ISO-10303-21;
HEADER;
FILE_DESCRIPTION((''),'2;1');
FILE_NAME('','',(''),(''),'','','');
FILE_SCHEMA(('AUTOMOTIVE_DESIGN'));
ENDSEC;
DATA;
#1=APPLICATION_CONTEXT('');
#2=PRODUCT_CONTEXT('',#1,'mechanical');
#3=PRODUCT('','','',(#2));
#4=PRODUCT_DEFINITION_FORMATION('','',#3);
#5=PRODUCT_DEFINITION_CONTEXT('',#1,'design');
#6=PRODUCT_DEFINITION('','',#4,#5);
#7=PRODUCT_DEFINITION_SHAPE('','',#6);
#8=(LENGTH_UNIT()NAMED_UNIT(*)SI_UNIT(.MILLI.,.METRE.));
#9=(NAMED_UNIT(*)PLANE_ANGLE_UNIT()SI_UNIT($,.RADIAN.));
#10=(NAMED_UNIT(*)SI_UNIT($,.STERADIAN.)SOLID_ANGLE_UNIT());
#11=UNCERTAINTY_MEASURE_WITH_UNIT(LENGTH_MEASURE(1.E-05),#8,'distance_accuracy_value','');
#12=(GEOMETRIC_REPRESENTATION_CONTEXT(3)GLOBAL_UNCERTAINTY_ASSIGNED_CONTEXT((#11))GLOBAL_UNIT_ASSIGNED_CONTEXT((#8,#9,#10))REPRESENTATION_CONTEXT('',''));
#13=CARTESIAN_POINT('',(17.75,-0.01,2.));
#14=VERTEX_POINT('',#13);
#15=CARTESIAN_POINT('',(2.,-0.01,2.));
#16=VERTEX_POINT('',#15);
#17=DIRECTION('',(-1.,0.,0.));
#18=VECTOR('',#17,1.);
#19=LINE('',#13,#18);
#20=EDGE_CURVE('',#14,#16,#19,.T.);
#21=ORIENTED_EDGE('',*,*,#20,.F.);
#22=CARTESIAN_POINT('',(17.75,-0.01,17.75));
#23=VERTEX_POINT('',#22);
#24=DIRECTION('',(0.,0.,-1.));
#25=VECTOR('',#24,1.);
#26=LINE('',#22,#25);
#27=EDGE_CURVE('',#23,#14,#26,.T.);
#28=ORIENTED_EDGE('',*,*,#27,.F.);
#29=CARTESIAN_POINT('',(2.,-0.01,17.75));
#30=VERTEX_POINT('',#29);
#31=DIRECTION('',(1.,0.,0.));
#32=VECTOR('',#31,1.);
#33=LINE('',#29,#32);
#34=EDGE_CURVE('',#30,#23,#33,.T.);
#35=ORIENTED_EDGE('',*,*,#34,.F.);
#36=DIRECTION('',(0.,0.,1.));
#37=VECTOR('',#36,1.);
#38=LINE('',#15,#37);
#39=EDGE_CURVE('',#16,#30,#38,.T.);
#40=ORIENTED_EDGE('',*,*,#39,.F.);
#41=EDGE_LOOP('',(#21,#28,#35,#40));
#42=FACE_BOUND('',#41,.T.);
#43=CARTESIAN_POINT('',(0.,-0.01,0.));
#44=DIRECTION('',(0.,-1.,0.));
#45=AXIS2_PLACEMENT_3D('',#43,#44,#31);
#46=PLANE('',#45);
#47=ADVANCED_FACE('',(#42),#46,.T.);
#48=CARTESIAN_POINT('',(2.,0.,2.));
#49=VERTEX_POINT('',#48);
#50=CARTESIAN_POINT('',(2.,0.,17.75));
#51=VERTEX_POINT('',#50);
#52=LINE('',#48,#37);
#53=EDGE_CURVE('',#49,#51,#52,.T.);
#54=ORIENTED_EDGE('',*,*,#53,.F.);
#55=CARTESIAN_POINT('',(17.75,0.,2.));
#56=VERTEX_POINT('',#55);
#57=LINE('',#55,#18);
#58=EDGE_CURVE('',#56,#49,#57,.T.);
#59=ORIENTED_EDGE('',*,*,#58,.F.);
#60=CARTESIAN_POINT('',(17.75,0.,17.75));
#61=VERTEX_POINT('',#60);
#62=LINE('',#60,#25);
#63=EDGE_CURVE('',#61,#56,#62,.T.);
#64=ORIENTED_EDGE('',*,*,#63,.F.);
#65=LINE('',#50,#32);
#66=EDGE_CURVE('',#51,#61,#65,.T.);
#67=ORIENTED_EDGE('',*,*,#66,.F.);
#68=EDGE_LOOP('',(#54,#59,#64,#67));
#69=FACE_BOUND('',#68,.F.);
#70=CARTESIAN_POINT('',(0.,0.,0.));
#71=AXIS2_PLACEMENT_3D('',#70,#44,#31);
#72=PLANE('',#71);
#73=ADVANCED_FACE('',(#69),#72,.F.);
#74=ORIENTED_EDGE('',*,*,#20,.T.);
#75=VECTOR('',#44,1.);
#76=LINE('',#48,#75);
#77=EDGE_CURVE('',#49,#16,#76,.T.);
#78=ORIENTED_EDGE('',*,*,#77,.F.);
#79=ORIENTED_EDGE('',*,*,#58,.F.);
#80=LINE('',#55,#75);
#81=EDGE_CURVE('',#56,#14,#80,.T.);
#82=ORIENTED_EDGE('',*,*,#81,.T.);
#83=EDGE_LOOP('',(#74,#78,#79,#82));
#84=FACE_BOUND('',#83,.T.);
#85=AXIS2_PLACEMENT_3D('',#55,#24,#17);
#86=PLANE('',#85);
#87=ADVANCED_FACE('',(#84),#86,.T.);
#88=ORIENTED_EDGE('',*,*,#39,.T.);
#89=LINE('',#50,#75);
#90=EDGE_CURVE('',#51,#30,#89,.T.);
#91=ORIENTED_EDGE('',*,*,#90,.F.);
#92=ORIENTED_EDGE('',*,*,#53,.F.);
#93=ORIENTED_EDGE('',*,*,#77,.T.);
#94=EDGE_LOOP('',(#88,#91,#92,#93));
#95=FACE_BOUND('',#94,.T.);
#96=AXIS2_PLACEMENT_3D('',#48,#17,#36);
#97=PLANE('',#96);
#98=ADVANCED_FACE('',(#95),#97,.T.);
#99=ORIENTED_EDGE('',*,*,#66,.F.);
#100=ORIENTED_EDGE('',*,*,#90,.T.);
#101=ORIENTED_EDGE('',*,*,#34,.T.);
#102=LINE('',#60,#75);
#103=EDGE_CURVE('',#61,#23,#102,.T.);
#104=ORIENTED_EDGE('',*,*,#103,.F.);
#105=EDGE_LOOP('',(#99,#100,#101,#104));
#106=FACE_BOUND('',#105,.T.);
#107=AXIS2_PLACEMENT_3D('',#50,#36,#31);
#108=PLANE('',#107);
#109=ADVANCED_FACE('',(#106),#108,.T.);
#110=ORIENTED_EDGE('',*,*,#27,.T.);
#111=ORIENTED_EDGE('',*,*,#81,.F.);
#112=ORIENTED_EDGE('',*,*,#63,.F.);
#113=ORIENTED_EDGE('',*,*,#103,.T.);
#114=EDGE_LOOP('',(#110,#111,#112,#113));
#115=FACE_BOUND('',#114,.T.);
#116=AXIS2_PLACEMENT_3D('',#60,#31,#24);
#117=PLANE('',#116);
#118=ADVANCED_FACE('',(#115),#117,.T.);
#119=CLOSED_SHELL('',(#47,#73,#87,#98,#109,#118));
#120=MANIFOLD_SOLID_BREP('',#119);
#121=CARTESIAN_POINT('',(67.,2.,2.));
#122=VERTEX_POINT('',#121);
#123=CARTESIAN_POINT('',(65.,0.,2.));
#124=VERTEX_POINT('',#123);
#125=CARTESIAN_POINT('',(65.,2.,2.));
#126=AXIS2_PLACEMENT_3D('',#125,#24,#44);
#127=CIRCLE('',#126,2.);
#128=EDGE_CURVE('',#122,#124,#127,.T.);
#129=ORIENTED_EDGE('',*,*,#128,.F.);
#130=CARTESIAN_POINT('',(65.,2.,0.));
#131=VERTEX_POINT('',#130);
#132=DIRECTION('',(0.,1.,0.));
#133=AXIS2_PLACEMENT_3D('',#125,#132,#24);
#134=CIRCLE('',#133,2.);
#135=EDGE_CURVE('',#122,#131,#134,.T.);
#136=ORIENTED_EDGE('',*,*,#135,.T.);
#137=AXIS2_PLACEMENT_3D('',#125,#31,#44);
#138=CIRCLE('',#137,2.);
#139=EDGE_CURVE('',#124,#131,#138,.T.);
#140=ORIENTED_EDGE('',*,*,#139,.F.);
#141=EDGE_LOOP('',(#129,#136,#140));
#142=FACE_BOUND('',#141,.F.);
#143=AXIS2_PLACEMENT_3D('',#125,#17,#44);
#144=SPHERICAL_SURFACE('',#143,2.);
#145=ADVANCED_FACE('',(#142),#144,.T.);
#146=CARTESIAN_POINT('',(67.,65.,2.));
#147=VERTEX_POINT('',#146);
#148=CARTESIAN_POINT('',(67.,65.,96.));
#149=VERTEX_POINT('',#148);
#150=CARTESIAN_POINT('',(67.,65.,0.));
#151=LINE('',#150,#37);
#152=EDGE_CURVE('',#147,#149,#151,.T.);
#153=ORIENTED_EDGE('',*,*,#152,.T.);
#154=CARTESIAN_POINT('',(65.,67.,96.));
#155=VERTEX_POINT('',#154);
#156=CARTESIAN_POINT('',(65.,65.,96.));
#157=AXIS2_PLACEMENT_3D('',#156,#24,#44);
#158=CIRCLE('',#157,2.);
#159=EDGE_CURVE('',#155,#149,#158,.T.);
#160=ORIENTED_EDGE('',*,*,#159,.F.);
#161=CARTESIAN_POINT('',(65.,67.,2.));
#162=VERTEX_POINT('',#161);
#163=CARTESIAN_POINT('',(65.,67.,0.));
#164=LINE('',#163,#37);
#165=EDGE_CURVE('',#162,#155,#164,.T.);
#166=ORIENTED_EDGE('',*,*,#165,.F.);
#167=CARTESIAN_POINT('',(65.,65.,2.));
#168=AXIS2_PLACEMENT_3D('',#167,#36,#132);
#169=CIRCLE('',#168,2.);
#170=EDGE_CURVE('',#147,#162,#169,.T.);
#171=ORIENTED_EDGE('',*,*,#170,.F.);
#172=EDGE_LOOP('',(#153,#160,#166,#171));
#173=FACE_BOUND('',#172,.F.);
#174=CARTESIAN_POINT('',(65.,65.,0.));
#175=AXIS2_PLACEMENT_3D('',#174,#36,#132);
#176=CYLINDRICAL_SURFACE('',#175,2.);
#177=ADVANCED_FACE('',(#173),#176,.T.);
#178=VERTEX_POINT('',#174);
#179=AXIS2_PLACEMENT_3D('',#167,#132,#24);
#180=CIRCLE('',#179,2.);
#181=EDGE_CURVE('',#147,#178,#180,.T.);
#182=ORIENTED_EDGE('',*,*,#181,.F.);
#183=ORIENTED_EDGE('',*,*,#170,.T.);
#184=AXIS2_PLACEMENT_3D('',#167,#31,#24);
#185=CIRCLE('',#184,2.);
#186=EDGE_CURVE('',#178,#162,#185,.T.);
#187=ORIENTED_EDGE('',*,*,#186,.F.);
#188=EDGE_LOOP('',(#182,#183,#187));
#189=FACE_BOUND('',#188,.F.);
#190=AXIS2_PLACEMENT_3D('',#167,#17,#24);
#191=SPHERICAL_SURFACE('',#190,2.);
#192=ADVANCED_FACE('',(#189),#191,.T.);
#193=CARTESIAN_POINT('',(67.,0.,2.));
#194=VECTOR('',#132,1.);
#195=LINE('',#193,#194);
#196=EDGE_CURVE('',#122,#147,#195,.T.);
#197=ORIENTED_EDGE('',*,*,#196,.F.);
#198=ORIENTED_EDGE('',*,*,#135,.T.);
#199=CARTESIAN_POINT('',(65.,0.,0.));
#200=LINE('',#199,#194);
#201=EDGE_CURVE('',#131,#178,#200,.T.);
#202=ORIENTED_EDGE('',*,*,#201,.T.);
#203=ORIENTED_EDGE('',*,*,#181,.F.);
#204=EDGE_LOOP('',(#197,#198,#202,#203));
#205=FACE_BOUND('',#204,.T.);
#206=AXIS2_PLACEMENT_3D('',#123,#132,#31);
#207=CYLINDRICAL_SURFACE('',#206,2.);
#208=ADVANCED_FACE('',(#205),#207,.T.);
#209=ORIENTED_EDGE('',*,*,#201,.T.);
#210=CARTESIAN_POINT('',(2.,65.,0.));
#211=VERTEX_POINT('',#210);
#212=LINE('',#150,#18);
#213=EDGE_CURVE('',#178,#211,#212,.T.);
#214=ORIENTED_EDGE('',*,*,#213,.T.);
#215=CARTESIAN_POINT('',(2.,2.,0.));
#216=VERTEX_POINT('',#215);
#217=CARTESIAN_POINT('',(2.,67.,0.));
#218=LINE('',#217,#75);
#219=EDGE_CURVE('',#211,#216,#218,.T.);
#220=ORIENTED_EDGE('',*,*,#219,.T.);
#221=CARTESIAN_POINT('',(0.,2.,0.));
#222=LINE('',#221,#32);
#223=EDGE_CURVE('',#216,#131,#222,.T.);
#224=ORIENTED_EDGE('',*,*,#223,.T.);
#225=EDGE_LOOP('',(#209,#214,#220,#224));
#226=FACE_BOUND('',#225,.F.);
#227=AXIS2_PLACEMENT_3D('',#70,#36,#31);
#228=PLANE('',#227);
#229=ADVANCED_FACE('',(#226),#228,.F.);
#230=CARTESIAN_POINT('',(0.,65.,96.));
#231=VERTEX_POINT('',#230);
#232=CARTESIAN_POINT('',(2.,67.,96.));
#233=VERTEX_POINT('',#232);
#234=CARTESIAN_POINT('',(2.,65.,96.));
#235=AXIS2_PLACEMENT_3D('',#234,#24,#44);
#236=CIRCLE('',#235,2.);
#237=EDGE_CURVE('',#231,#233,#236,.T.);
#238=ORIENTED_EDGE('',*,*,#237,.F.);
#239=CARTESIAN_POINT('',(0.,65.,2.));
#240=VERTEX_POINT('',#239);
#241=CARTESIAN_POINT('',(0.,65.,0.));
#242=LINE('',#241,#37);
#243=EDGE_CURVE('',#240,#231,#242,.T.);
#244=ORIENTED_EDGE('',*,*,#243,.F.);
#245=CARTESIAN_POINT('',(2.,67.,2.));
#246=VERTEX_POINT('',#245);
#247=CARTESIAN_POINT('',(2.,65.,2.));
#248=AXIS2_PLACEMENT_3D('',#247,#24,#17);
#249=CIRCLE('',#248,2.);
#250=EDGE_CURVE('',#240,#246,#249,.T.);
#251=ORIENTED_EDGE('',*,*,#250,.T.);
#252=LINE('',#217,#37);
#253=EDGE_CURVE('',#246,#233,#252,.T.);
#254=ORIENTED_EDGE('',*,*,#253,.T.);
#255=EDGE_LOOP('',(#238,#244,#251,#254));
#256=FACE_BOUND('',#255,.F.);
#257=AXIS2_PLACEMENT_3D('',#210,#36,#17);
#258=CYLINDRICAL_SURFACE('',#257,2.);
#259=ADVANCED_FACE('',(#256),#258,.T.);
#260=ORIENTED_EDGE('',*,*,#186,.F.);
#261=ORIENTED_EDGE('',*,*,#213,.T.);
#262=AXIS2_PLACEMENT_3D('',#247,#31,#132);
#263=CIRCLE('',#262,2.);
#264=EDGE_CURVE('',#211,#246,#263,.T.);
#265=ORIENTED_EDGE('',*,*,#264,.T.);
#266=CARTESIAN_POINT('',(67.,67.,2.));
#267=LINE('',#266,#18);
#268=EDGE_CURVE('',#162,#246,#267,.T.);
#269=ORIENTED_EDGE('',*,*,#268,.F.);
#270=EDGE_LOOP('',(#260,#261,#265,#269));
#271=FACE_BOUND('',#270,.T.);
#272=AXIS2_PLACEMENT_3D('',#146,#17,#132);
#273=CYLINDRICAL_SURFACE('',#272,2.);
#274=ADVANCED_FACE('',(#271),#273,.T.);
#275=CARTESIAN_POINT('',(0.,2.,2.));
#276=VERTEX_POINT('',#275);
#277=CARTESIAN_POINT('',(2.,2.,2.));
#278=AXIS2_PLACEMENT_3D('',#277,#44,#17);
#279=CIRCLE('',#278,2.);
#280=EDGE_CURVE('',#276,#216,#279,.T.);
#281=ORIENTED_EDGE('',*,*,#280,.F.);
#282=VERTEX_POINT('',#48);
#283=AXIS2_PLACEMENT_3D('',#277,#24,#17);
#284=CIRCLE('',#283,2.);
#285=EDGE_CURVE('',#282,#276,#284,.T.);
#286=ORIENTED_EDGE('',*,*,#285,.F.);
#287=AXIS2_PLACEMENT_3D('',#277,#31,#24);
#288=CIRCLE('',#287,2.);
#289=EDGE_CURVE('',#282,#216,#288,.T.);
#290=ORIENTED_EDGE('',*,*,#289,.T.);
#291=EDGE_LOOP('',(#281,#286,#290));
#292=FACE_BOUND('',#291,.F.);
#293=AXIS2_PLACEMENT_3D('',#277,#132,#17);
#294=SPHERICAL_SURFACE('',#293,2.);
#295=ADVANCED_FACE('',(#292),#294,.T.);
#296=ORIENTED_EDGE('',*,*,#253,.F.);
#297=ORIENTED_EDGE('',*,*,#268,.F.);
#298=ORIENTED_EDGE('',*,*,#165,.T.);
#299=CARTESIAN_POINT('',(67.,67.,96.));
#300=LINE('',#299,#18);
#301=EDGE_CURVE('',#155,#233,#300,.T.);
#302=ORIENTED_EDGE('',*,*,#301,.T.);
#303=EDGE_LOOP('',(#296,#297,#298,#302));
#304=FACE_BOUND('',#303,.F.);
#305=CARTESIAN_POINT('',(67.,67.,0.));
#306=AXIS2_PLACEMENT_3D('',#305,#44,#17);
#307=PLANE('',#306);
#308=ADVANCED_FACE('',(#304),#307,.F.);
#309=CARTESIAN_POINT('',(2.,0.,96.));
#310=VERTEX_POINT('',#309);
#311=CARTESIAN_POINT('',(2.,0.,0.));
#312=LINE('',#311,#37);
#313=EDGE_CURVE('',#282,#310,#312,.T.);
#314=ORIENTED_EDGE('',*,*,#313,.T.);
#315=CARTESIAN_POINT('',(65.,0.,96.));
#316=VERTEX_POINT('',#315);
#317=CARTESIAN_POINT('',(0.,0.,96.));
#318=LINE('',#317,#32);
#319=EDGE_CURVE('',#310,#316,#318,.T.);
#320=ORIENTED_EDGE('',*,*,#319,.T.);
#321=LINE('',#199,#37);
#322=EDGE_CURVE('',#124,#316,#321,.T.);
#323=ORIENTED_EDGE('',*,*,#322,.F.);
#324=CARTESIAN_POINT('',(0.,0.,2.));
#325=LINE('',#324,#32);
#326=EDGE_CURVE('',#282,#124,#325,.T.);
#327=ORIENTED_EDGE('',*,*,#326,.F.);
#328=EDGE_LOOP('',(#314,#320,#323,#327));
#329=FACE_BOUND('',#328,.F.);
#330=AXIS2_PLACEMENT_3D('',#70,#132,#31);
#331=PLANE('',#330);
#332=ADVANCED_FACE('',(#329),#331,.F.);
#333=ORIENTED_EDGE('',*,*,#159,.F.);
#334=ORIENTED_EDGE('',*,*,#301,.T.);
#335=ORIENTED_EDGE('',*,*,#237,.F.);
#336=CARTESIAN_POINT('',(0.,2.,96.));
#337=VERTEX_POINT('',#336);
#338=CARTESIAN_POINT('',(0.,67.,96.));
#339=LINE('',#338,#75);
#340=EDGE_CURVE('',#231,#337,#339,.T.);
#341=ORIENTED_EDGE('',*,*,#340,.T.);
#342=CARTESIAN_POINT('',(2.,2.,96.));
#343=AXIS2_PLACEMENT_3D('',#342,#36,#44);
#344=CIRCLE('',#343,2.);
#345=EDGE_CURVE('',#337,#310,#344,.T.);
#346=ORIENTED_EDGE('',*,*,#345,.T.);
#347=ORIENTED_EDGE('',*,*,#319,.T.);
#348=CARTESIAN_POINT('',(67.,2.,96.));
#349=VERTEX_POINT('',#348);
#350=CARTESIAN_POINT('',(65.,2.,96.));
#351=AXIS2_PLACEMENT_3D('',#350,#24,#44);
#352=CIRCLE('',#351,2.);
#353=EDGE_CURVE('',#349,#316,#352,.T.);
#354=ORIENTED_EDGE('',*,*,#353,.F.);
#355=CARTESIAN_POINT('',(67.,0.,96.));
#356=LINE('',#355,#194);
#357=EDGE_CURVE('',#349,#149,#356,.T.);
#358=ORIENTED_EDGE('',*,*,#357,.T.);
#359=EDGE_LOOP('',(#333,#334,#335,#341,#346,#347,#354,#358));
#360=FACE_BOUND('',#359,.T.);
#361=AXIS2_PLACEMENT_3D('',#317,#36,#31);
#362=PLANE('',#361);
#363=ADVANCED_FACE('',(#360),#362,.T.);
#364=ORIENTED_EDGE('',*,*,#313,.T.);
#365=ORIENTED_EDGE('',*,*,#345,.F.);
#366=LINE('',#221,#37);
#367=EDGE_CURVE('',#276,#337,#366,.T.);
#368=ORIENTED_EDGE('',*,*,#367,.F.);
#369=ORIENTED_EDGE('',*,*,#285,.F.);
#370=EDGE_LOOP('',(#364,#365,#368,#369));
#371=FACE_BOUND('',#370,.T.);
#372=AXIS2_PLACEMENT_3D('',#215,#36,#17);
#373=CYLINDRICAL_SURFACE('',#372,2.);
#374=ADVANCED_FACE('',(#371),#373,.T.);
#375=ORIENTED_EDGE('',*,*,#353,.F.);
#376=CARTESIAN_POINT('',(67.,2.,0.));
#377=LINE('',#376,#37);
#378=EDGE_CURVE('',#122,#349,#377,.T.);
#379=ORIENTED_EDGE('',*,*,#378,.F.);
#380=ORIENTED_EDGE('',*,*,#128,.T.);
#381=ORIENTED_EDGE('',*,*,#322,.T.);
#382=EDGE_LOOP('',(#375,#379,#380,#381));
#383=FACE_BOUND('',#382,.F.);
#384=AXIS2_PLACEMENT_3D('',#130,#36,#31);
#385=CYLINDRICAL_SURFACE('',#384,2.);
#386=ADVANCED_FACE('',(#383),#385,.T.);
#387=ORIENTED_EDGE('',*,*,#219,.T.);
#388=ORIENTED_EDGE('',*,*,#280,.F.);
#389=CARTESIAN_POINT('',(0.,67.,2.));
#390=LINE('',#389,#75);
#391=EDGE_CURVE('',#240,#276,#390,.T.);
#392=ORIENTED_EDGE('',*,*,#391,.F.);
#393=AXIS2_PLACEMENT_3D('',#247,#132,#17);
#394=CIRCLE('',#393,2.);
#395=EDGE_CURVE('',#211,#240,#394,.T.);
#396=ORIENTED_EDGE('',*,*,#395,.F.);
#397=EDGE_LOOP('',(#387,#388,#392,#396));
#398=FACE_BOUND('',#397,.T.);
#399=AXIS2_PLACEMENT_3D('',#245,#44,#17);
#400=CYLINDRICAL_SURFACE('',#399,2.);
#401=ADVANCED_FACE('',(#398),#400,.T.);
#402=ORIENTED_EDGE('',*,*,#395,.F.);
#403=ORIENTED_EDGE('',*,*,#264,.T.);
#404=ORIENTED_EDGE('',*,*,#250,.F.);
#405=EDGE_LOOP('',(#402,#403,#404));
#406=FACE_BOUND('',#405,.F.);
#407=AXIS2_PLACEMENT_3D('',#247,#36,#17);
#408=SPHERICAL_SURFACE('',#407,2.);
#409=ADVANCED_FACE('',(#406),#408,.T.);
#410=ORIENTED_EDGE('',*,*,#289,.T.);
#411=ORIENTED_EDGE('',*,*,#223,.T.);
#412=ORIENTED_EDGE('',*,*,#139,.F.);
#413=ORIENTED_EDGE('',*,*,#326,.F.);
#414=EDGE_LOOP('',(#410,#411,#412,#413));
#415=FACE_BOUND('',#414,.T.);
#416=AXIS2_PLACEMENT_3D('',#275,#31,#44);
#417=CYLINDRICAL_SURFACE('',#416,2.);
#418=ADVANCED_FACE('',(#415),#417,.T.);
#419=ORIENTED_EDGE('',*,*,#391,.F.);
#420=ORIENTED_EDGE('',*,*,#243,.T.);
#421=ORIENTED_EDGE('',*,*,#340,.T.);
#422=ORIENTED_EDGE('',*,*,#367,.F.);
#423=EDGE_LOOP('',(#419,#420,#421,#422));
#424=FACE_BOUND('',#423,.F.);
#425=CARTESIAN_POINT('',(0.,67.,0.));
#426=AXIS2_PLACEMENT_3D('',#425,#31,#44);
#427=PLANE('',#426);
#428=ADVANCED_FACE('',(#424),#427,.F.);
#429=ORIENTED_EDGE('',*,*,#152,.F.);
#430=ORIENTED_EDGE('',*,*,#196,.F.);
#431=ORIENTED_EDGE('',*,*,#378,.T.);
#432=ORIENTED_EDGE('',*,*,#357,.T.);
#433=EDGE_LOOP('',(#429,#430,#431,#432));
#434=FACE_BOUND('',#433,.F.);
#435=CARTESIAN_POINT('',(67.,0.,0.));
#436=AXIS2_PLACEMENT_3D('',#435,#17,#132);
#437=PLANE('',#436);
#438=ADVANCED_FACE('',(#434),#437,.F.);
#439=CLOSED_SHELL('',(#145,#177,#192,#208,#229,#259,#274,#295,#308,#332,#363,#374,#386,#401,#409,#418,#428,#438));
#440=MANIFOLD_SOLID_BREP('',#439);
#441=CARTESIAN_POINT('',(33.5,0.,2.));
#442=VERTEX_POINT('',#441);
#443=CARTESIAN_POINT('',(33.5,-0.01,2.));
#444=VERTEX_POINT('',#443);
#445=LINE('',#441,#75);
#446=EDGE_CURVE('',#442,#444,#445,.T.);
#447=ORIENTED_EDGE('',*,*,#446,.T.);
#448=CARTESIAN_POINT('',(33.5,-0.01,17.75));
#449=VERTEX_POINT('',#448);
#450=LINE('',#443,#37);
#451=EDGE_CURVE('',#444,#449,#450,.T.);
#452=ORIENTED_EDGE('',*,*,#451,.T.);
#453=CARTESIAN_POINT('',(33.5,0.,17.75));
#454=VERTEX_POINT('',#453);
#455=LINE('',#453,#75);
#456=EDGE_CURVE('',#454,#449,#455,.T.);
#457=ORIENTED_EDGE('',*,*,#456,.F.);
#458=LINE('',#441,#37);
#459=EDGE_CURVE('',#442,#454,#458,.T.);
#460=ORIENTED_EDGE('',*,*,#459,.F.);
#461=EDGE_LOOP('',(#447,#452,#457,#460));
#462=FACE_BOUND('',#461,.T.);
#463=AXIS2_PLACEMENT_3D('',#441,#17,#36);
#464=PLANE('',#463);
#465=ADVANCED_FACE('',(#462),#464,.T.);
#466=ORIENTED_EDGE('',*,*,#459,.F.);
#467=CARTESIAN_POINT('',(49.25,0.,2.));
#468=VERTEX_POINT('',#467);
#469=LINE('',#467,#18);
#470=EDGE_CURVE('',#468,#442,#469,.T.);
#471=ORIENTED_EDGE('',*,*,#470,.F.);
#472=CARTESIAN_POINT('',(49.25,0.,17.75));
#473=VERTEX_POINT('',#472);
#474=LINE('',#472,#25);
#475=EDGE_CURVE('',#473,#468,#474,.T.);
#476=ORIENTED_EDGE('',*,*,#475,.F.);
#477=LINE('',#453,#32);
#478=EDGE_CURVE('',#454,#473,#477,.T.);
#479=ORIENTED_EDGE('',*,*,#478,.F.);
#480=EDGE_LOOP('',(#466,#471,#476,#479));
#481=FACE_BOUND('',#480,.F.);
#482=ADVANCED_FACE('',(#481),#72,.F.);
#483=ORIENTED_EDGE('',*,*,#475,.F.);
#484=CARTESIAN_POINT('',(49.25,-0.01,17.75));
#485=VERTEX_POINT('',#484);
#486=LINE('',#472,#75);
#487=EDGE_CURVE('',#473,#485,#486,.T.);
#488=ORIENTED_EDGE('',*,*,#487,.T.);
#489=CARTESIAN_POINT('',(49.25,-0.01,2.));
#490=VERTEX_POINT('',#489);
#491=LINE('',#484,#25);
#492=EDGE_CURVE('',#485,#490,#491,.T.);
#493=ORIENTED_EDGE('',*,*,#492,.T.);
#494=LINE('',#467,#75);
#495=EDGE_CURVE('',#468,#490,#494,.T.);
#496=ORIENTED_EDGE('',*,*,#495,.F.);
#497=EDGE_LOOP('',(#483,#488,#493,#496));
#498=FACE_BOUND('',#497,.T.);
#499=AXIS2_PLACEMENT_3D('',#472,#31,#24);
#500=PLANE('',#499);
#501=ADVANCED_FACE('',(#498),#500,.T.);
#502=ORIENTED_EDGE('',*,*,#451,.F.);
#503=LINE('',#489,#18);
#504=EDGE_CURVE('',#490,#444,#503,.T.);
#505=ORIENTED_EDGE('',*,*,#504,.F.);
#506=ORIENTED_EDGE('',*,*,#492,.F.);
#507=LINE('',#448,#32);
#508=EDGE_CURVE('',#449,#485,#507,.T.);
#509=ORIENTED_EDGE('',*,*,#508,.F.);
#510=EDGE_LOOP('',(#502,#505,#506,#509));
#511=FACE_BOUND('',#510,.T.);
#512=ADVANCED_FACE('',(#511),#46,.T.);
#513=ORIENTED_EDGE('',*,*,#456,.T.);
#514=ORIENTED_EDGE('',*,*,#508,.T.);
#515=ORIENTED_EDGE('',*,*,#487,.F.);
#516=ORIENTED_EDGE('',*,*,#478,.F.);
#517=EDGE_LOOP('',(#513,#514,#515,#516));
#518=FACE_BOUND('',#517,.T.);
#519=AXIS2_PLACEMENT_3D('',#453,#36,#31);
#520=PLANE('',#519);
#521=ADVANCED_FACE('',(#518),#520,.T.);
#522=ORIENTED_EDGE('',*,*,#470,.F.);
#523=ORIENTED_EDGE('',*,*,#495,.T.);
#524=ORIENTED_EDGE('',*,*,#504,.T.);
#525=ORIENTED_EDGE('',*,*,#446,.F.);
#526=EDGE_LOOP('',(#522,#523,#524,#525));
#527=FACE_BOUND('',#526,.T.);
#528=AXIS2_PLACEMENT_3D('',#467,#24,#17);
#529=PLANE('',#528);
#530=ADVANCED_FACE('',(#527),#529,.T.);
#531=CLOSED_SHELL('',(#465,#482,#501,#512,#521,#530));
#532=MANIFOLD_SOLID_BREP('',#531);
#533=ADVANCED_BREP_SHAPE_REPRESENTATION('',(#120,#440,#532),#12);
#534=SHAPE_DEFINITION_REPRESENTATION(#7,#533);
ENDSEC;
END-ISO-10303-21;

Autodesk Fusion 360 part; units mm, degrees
sketch "Leg" plane through (0, 0, 0) normal (0, 0, 1) x (1, 0, 0)
  line L0 (0, 0) -> (67, 0)
  line L1 (67, 0) -> (67, 67)
  line L2 (67, 67) -> (0, 67)
  line L3 (0, 67) -> (0, 0)
  dimension "d2" = 67
  dimension "d3" = 67
extrude "Extrude1" add sketch "Leg" along normal blind 96 makes body 1
sketch "Toes" plane through (0, 0, 0) normal (0, -1, 0) x (1, 0, 0)
  line L0 (0, 0) -> (67, 0)
  line L1 (67, 0) -> (67, 96)
  line L2 (67, 96) -> (0, 96)
  line L3 (0, 96) -> (0, 0)
  line L4 (2, 17.75) -> (17.75, 17.75)
  line L5 (17.75, 17.75) -> (17.75, 2)
  line L6 (17.75, 2) -> (2, 2)
  line L7 (2, 2) -> (2, 17.75)
  line L8 (33.5, 17.75) -> (49.25, 17.75)
  line L9 (49.25, 17.75) -> (49.25, 2)
  line L10 (49.25, 2) -> (33.5, 2)
  line L11 (33.5, 2) -> (33.5, 17.75)
  dimension "d16" = 15.75
  dimension "d17" = 15.75
  dimension "d18" = 15.75
  dimension "d19" = 2
  dimension "d20" = 2
  dimension "d21" = 15.75
  dimension "d22" = 17.75
extrude "Extrude3" add sketch "Toes" along normal blind 0.01 separate body contours L4 L5 L6 L7 | L8 L9 L10 L11 makes body 2 at (7.25, 0, 7.25) makes body 3 at (38.75, 0, 7.25)
fillet "Fillet1" radius 2 8 edges at (0, 67, 48) (0, 33.5, 0) (0, 0, 48) (33.5, 0, 0) (67, 0, 48) (33.5, 67, 0) (67, 33.5, 0) (67, 67, 48) on bodies 1
equation "leg_width = 67 mm" comment "The dimensions of the 67 mm x 67 mm pine post used for the Legs."
equation "d2 = leg_width"
equation "d3 = leg_width"
equation "block_size = 16 mm" comment "The size of the blocks used for the dimensions of the Minecraft Pig."
equation "d5 = leg_height"
equation "fillet_radius = 2 mm" comment "The radius of the fillets applied to the Legs."
equation "d16 = toe_width"
equation "d17 = toe_width"
equation "d18 = toe_width"
equation "d19 = fillet_radius"
equation "d20 = fillet_radius"
equation "d21 = toe_width"
equation "d26 = fillet_radius"
equation "toe_width = ( leg_width - 2 * fillet_radius ) / 4" comment "The width and height of the two toes."
equation "leg_height = 6 * block_size" comment "The height of the Minecraft Pig's Legs."
